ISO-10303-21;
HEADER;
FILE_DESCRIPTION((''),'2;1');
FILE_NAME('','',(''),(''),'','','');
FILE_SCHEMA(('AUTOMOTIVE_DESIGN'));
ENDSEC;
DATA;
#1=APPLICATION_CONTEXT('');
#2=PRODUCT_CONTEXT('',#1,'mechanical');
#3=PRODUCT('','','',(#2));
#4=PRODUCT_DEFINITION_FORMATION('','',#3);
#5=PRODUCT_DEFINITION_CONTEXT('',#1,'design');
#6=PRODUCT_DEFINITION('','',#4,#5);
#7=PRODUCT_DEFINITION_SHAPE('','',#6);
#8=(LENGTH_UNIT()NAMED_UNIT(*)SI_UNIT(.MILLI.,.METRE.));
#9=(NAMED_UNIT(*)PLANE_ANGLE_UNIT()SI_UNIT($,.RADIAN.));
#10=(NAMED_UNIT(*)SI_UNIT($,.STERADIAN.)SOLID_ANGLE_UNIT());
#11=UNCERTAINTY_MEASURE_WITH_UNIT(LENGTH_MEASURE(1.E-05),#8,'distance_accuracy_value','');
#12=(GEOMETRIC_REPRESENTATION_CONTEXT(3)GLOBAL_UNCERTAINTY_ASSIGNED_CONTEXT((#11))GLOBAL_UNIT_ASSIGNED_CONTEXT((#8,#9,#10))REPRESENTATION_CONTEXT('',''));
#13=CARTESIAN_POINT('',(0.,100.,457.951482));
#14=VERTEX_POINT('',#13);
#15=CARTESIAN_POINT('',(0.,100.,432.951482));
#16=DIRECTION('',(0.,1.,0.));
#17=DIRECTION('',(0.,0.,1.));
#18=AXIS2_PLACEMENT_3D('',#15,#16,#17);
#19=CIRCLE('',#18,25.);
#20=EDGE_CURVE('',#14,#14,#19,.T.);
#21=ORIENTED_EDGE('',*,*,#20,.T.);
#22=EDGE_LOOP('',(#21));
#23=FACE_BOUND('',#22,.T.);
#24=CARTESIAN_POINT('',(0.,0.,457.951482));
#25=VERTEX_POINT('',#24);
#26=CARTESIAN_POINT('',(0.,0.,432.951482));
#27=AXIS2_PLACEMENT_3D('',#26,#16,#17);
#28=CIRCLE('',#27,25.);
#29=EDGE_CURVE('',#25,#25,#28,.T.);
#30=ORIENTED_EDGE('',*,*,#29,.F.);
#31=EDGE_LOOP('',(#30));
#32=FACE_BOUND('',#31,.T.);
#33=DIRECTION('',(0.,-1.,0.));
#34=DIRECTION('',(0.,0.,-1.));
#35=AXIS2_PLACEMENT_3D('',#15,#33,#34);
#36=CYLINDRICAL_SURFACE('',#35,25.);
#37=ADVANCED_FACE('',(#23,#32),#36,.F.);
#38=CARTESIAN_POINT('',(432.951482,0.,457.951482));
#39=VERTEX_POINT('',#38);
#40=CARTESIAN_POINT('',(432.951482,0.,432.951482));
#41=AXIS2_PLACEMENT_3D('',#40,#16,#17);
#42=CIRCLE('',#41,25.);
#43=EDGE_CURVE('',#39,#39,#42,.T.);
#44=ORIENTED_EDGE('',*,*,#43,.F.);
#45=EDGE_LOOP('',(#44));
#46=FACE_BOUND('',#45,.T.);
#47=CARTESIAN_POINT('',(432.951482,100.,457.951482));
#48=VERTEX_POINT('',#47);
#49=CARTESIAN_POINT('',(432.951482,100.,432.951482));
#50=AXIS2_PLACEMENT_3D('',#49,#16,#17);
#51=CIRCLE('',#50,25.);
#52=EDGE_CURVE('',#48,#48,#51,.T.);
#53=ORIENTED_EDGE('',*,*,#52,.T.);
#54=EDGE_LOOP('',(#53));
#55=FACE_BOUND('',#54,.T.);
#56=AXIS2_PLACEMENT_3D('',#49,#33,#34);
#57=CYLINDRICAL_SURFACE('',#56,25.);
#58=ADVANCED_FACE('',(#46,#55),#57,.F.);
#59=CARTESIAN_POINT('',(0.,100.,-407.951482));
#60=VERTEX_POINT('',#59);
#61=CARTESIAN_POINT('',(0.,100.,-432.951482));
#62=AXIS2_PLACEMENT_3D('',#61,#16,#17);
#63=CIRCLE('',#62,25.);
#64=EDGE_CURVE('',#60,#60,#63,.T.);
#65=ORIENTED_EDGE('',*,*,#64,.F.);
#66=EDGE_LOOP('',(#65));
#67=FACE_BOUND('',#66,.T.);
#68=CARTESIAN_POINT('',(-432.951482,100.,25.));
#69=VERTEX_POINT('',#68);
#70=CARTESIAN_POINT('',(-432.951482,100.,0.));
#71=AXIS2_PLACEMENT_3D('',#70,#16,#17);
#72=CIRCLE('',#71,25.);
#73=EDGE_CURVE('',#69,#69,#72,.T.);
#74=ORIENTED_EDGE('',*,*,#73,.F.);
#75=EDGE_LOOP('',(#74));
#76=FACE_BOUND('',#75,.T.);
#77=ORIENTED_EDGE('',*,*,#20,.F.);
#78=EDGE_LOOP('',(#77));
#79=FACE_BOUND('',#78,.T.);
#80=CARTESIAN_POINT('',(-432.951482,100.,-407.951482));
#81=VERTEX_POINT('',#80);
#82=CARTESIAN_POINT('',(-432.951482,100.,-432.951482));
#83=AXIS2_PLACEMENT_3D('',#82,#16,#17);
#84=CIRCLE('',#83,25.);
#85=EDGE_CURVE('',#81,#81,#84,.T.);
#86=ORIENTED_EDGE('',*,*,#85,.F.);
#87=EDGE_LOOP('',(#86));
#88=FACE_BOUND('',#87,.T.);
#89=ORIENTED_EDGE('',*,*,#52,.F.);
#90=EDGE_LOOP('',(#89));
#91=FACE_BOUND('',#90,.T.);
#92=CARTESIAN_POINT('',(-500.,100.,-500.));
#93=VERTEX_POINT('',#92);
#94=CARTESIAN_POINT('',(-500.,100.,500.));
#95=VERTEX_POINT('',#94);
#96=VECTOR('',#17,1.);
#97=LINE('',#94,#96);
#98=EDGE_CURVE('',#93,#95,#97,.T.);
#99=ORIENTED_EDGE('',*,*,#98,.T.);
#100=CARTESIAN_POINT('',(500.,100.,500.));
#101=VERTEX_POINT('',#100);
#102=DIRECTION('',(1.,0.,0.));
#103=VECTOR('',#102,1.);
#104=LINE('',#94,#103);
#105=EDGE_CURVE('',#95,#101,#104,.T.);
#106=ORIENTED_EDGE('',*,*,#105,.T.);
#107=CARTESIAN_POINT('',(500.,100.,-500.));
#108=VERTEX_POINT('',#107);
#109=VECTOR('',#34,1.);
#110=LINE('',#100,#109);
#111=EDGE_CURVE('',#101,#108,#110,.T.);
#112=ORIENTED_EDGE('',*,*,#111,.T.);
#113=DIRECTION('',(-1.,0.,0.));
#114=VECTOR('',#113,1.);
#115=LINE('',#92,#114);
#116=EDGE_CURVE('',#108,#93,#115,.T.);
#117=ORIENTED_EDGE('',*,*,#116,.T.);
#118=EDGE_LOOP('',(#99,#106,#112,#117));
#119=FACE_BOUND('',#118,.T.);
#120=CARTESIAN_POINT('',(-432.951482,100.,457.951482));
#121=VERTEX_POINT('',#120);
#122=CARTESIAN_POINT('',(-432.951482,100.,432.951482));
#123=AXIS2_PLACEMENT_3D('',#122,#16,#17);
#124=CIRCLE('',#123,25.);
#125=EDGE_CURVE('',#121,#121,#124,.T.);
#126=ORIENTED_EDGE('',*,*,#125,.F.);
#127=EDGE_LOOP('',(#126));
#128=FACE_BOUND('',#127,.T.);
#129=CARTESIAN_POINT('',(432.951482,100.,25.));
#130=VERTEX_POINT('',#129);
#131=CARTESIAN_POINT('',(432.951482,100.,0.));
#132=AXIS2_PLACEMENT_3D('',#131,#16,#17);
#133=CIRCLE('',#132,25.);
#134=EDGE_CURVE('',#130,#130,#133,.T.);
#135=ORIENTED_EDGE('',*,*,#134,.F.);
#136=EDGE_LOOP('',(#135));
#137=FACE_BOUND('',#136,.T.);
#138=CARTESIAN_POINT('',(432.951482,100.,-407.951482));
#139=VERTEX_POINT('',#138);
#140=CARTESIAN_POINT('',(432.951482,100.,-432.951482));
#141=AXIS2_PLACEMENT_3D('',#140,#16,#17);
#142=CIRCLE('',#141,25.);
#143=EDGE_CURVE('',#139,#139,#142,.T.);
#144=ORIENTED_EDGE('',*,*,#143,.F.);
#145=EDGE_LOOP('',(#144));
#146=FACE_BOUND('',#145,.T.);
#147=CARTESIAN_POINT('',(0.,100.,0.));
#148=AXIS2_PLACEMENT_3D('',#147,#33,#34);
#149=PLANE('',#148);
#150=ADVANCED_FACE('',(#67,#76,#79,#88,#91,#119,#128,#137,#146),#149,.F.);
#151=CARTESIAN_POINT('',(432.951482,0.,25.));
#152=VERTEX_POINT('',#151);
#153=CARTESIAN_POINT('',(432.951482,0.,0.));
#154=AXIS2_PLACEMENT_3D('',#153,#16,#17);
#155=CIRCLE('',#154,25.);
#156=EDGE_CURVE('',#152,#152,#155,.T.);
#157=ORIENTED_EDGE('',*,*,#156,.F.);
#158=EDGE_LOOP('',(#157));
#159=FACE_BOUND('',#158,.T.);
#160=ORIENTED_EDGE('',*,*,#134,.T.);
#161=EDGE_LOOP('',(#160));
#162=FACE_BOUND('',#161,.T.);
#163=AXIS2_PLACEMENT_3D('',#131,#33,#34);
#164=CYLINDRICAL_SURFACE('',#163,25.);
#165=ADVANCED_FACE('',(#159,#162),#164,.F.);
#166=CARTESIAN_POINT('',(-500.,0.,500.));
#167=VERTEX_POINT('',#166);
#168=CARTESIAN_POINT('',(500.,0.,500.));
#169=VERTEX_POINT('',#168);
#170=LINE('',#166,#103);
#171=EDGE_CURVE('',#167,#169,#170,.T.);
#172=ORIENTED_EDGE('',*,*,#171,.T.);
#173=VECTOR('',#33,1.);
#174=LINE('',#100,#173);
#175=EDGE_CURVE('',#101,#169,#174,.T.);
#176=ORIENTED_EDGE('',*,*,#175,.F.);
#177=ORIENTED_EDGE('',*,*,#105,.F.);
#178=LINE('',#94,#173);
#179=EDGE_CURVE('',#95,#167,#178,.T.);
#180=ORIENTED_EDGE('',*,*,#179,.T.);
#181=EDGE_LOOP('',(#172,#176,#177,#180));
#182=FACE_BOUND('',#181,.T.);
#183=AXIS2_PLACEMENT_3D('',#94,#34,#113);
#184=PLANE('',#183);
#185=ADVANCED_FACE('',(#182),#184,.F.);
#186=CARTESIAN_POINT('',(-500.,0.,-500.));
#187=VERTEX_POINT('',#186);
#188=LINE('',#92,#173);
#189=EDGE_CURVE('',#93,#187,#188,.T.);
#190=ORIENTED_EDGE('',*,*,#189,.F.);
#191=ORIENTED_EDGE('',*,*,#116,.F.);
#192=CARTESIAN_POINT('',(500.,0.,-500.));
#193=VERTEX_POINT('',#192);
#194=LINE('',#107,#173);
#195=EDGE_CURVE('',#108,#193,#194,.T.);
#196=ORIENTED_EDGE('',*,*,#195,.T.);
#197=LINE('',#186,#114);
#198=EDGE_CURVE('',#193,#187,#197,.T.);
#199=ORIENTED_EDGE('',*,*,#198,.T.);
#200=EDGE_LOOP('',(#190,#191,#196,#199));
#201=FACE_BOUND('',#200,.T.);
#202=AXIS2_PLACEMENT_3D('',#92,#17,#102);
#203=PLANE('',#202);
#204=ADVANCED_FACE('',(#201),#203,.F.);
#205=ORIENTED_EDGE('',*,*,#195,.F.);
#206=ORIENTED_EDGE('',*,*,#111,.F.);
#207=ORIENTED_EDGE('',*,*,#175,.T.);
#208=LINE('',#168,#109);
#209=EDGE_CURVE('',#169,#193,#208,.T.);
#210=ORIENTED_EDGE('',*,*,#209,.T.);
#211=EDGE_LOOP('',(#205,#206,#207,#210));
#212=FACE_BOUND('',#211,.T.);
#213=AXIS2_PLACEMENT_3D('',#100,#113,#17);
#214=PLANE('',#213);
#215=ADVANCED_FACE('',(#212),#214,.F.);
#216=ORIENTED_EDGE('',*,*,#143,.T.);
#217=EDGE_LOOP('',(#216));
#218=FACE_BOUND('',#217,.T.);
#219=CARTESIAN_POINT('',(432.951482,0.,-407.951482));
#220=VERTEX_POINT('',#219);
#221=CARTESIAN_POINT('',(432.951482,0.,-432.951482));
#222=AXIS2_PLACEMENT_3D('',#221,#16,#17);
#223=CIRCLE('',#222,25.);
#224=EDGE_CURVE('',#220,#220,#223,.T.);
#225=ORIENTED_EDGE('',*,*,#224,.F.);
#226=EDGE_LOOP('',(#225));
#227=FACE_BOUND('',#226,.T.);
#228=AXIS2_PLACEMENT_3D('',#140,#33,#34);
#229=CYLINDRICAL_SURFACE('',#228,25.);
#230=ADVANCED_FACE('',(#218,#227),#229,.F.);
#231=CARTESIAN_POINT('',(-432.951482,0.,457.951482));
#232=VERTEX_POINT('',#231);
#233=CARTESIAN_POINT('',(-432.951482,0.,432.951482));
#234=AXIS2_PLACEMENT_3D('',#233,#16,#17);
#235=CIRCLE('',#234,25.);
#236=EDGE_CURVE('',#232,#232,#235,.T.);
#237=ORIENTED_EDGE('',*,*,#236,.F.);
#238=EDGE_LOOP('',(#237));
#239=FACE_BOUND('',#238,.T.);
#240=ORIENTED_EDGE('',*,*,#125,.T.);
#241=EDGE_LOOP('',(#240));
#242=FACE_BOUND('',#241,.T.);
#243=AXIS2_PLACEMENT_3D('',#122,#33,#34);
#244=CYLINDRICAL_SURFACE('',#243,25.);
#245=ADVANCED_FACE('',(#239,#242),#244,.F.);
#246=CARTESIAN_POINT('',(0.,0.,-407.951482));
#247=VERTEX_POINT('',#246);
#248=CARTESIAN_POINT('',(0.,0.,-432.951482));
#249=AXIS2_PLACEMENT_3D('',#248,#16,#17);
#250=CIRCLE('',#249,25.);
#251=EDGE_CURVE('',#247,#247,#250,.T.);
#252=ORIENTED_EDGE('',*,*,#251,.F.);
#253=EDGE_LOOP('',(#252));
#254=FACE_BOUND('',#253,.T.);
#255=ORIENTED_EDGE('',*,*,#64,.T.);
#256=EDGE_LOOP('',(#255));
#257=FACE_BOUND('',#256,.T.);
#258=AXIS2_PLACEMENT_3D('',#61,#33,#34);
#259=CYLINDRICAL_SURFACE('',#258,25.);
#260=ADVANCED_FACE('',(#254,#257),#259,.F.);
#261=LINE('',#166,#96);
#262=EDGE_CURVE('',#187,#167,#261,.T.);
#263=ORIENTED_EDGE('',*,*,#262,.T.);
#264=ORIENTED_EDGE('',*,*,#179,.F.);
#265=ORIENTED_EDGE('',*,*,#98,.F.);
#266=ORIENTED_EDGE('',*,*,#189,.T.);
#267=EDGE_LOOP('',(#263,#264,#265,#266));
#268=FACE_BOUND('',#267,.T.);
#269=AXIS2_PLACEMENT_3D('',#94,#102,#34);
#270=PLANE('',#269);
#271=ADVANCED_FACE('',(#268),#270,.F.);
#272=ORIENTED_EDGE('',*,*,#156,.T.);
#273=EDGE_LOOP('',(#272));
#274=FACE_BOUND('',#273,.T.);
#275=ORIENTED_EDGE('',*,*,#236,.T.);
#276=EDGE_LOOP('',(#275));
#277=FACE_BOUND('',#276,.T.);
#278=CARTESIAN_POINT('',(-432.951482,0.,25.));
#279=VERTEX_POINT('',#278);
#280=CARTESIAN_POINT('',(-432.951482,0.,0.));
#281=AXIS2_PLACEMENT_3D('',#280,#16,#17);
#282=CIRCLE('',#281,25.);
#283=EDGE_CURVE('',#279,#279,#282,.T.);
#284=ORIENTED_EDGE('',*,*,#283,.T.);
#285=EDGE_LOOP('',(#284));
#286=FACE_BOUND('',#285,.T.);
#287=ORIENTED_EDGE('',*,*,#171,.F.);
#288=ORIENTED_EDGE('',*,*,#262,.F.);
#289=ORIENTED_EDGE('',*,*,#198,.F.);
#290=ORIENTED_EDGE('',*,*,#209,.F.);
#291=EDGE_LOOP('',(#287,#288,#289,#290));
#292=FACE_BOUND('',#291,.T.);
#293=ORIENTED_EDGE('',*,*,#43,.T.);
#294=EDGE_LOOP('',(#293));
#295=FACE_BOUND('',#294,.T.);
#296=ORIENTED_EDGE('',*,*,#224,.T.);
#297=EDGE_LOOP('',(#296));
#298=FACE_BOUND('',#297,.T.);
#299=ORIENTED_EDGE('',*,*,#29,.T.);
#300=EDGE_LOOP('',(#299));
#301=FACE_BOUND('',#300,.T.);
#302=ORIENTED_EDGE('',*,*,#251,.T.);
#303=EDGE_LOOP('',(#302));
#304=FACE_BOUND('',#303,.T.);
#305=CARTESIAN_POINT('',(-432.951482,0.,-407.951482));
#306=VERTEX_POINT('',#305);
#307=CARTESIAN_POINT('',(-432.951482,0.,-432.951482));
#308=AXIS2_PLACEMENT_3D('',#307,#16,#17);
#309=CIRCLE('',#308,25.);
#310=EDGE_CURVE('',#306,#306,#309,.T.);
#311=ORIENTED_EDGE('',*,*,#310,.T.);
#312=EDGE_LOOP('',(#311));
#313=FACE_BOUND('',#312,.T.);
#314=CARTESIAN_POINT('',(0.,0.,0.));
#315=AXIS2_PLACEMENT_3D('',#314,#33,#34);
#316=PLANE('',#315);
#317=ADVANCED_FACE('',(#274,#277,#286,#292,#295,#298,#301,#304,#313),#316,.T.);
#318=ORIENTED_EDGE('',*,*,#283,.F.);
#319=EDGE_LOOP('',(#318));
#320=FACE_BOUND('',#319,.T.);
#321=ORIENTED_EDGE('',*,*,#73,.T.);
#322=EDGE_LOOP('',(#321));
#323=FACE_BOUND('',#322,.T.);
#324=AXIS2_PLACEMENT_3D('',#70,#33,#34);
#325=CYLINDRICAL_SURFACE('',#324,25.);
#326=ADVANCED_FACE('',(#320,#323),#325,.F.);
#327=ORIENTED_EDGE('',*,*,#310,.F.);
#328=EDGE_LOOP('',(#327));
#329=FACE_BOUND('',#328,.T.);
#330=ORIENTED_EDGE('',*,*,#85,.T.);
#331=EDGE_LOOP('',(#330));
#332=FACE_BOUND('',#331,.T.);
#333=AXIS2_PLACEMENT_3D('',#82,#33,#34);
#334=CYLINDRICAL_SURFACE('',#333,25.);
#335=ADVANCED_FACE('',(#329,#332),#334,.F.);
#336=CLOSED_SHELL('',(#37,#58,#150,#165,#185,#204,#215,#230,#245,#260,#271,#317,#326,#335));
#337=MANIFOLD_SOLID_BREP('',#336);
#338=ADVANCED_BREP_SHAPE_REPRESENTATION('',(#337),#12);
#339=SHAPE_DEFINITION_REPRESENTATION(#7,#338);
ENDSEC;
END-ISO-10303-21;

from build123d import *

# Parameters (mm, degrees)
SKETCH2_W           = 1000
SKETCH2_H           = 1000
SKETCH2_R           = 25
BOSS_EXTRUDE1_DEPTH = 100


with BuildPart() as part:
    # Sketch2 → Boss-Extrude1 (new body)
    with BuildSketch(Plane(origin=(0, 0, 0), x_dir=(1, 0, 0), z_dir=(0, 1, 0))):
        Rectangle(SKETCH2_W, SKETCH2_H)
        with Locations(Location((432.95148248, 432.95148248, 0), (0, 0, 270))):
            Circle(SKETCH2_R, mode=Mode.SUBTRACT)
        with Locations(Location((-432.95148248, 432.95148248, 0), (0, 0, 270))):
            Circle(SKETCH2_R, mode=Mode.SUBTRACT)
        with Locations(Location((-432.95148248, -432.95148248, 0), (0, 0, 270))):
            Circle(SKETCH2_R, mode=Mode.SUBTRACT)
        with Locations(Location((432.95148248, -432.95148248, 0), (0, 0, 270))):
            Circle(SKETCH2_R, mode=Mode.SUBTRACT)
        with Locations(Location((-432.95148248, 0, 0), (0, 0, 270))):
            Circle(SKETCH2_R, mode=Mode.SUBTRACT)
        with Locations(Location((432.95148248, 0, 0), (0, 0, 270))):
            Circle(SKETCH2_R, mode=Mode.SUBTRACT)
        with Locations(Location((0, 432.95148248, 0), (0, 0, 270))):
            Circle(SKETCH2_R, mode=Mode.SUBTRACT)
        with Locations(Location((0, -432.95148248, 0), (0, 0, 270))):
            Circle(SKETCH2_R, mode=Mode.SUBTRACT)
    extrude(amount=BOSS_EXTRUDE1_DEPTH)


solid = part.part
